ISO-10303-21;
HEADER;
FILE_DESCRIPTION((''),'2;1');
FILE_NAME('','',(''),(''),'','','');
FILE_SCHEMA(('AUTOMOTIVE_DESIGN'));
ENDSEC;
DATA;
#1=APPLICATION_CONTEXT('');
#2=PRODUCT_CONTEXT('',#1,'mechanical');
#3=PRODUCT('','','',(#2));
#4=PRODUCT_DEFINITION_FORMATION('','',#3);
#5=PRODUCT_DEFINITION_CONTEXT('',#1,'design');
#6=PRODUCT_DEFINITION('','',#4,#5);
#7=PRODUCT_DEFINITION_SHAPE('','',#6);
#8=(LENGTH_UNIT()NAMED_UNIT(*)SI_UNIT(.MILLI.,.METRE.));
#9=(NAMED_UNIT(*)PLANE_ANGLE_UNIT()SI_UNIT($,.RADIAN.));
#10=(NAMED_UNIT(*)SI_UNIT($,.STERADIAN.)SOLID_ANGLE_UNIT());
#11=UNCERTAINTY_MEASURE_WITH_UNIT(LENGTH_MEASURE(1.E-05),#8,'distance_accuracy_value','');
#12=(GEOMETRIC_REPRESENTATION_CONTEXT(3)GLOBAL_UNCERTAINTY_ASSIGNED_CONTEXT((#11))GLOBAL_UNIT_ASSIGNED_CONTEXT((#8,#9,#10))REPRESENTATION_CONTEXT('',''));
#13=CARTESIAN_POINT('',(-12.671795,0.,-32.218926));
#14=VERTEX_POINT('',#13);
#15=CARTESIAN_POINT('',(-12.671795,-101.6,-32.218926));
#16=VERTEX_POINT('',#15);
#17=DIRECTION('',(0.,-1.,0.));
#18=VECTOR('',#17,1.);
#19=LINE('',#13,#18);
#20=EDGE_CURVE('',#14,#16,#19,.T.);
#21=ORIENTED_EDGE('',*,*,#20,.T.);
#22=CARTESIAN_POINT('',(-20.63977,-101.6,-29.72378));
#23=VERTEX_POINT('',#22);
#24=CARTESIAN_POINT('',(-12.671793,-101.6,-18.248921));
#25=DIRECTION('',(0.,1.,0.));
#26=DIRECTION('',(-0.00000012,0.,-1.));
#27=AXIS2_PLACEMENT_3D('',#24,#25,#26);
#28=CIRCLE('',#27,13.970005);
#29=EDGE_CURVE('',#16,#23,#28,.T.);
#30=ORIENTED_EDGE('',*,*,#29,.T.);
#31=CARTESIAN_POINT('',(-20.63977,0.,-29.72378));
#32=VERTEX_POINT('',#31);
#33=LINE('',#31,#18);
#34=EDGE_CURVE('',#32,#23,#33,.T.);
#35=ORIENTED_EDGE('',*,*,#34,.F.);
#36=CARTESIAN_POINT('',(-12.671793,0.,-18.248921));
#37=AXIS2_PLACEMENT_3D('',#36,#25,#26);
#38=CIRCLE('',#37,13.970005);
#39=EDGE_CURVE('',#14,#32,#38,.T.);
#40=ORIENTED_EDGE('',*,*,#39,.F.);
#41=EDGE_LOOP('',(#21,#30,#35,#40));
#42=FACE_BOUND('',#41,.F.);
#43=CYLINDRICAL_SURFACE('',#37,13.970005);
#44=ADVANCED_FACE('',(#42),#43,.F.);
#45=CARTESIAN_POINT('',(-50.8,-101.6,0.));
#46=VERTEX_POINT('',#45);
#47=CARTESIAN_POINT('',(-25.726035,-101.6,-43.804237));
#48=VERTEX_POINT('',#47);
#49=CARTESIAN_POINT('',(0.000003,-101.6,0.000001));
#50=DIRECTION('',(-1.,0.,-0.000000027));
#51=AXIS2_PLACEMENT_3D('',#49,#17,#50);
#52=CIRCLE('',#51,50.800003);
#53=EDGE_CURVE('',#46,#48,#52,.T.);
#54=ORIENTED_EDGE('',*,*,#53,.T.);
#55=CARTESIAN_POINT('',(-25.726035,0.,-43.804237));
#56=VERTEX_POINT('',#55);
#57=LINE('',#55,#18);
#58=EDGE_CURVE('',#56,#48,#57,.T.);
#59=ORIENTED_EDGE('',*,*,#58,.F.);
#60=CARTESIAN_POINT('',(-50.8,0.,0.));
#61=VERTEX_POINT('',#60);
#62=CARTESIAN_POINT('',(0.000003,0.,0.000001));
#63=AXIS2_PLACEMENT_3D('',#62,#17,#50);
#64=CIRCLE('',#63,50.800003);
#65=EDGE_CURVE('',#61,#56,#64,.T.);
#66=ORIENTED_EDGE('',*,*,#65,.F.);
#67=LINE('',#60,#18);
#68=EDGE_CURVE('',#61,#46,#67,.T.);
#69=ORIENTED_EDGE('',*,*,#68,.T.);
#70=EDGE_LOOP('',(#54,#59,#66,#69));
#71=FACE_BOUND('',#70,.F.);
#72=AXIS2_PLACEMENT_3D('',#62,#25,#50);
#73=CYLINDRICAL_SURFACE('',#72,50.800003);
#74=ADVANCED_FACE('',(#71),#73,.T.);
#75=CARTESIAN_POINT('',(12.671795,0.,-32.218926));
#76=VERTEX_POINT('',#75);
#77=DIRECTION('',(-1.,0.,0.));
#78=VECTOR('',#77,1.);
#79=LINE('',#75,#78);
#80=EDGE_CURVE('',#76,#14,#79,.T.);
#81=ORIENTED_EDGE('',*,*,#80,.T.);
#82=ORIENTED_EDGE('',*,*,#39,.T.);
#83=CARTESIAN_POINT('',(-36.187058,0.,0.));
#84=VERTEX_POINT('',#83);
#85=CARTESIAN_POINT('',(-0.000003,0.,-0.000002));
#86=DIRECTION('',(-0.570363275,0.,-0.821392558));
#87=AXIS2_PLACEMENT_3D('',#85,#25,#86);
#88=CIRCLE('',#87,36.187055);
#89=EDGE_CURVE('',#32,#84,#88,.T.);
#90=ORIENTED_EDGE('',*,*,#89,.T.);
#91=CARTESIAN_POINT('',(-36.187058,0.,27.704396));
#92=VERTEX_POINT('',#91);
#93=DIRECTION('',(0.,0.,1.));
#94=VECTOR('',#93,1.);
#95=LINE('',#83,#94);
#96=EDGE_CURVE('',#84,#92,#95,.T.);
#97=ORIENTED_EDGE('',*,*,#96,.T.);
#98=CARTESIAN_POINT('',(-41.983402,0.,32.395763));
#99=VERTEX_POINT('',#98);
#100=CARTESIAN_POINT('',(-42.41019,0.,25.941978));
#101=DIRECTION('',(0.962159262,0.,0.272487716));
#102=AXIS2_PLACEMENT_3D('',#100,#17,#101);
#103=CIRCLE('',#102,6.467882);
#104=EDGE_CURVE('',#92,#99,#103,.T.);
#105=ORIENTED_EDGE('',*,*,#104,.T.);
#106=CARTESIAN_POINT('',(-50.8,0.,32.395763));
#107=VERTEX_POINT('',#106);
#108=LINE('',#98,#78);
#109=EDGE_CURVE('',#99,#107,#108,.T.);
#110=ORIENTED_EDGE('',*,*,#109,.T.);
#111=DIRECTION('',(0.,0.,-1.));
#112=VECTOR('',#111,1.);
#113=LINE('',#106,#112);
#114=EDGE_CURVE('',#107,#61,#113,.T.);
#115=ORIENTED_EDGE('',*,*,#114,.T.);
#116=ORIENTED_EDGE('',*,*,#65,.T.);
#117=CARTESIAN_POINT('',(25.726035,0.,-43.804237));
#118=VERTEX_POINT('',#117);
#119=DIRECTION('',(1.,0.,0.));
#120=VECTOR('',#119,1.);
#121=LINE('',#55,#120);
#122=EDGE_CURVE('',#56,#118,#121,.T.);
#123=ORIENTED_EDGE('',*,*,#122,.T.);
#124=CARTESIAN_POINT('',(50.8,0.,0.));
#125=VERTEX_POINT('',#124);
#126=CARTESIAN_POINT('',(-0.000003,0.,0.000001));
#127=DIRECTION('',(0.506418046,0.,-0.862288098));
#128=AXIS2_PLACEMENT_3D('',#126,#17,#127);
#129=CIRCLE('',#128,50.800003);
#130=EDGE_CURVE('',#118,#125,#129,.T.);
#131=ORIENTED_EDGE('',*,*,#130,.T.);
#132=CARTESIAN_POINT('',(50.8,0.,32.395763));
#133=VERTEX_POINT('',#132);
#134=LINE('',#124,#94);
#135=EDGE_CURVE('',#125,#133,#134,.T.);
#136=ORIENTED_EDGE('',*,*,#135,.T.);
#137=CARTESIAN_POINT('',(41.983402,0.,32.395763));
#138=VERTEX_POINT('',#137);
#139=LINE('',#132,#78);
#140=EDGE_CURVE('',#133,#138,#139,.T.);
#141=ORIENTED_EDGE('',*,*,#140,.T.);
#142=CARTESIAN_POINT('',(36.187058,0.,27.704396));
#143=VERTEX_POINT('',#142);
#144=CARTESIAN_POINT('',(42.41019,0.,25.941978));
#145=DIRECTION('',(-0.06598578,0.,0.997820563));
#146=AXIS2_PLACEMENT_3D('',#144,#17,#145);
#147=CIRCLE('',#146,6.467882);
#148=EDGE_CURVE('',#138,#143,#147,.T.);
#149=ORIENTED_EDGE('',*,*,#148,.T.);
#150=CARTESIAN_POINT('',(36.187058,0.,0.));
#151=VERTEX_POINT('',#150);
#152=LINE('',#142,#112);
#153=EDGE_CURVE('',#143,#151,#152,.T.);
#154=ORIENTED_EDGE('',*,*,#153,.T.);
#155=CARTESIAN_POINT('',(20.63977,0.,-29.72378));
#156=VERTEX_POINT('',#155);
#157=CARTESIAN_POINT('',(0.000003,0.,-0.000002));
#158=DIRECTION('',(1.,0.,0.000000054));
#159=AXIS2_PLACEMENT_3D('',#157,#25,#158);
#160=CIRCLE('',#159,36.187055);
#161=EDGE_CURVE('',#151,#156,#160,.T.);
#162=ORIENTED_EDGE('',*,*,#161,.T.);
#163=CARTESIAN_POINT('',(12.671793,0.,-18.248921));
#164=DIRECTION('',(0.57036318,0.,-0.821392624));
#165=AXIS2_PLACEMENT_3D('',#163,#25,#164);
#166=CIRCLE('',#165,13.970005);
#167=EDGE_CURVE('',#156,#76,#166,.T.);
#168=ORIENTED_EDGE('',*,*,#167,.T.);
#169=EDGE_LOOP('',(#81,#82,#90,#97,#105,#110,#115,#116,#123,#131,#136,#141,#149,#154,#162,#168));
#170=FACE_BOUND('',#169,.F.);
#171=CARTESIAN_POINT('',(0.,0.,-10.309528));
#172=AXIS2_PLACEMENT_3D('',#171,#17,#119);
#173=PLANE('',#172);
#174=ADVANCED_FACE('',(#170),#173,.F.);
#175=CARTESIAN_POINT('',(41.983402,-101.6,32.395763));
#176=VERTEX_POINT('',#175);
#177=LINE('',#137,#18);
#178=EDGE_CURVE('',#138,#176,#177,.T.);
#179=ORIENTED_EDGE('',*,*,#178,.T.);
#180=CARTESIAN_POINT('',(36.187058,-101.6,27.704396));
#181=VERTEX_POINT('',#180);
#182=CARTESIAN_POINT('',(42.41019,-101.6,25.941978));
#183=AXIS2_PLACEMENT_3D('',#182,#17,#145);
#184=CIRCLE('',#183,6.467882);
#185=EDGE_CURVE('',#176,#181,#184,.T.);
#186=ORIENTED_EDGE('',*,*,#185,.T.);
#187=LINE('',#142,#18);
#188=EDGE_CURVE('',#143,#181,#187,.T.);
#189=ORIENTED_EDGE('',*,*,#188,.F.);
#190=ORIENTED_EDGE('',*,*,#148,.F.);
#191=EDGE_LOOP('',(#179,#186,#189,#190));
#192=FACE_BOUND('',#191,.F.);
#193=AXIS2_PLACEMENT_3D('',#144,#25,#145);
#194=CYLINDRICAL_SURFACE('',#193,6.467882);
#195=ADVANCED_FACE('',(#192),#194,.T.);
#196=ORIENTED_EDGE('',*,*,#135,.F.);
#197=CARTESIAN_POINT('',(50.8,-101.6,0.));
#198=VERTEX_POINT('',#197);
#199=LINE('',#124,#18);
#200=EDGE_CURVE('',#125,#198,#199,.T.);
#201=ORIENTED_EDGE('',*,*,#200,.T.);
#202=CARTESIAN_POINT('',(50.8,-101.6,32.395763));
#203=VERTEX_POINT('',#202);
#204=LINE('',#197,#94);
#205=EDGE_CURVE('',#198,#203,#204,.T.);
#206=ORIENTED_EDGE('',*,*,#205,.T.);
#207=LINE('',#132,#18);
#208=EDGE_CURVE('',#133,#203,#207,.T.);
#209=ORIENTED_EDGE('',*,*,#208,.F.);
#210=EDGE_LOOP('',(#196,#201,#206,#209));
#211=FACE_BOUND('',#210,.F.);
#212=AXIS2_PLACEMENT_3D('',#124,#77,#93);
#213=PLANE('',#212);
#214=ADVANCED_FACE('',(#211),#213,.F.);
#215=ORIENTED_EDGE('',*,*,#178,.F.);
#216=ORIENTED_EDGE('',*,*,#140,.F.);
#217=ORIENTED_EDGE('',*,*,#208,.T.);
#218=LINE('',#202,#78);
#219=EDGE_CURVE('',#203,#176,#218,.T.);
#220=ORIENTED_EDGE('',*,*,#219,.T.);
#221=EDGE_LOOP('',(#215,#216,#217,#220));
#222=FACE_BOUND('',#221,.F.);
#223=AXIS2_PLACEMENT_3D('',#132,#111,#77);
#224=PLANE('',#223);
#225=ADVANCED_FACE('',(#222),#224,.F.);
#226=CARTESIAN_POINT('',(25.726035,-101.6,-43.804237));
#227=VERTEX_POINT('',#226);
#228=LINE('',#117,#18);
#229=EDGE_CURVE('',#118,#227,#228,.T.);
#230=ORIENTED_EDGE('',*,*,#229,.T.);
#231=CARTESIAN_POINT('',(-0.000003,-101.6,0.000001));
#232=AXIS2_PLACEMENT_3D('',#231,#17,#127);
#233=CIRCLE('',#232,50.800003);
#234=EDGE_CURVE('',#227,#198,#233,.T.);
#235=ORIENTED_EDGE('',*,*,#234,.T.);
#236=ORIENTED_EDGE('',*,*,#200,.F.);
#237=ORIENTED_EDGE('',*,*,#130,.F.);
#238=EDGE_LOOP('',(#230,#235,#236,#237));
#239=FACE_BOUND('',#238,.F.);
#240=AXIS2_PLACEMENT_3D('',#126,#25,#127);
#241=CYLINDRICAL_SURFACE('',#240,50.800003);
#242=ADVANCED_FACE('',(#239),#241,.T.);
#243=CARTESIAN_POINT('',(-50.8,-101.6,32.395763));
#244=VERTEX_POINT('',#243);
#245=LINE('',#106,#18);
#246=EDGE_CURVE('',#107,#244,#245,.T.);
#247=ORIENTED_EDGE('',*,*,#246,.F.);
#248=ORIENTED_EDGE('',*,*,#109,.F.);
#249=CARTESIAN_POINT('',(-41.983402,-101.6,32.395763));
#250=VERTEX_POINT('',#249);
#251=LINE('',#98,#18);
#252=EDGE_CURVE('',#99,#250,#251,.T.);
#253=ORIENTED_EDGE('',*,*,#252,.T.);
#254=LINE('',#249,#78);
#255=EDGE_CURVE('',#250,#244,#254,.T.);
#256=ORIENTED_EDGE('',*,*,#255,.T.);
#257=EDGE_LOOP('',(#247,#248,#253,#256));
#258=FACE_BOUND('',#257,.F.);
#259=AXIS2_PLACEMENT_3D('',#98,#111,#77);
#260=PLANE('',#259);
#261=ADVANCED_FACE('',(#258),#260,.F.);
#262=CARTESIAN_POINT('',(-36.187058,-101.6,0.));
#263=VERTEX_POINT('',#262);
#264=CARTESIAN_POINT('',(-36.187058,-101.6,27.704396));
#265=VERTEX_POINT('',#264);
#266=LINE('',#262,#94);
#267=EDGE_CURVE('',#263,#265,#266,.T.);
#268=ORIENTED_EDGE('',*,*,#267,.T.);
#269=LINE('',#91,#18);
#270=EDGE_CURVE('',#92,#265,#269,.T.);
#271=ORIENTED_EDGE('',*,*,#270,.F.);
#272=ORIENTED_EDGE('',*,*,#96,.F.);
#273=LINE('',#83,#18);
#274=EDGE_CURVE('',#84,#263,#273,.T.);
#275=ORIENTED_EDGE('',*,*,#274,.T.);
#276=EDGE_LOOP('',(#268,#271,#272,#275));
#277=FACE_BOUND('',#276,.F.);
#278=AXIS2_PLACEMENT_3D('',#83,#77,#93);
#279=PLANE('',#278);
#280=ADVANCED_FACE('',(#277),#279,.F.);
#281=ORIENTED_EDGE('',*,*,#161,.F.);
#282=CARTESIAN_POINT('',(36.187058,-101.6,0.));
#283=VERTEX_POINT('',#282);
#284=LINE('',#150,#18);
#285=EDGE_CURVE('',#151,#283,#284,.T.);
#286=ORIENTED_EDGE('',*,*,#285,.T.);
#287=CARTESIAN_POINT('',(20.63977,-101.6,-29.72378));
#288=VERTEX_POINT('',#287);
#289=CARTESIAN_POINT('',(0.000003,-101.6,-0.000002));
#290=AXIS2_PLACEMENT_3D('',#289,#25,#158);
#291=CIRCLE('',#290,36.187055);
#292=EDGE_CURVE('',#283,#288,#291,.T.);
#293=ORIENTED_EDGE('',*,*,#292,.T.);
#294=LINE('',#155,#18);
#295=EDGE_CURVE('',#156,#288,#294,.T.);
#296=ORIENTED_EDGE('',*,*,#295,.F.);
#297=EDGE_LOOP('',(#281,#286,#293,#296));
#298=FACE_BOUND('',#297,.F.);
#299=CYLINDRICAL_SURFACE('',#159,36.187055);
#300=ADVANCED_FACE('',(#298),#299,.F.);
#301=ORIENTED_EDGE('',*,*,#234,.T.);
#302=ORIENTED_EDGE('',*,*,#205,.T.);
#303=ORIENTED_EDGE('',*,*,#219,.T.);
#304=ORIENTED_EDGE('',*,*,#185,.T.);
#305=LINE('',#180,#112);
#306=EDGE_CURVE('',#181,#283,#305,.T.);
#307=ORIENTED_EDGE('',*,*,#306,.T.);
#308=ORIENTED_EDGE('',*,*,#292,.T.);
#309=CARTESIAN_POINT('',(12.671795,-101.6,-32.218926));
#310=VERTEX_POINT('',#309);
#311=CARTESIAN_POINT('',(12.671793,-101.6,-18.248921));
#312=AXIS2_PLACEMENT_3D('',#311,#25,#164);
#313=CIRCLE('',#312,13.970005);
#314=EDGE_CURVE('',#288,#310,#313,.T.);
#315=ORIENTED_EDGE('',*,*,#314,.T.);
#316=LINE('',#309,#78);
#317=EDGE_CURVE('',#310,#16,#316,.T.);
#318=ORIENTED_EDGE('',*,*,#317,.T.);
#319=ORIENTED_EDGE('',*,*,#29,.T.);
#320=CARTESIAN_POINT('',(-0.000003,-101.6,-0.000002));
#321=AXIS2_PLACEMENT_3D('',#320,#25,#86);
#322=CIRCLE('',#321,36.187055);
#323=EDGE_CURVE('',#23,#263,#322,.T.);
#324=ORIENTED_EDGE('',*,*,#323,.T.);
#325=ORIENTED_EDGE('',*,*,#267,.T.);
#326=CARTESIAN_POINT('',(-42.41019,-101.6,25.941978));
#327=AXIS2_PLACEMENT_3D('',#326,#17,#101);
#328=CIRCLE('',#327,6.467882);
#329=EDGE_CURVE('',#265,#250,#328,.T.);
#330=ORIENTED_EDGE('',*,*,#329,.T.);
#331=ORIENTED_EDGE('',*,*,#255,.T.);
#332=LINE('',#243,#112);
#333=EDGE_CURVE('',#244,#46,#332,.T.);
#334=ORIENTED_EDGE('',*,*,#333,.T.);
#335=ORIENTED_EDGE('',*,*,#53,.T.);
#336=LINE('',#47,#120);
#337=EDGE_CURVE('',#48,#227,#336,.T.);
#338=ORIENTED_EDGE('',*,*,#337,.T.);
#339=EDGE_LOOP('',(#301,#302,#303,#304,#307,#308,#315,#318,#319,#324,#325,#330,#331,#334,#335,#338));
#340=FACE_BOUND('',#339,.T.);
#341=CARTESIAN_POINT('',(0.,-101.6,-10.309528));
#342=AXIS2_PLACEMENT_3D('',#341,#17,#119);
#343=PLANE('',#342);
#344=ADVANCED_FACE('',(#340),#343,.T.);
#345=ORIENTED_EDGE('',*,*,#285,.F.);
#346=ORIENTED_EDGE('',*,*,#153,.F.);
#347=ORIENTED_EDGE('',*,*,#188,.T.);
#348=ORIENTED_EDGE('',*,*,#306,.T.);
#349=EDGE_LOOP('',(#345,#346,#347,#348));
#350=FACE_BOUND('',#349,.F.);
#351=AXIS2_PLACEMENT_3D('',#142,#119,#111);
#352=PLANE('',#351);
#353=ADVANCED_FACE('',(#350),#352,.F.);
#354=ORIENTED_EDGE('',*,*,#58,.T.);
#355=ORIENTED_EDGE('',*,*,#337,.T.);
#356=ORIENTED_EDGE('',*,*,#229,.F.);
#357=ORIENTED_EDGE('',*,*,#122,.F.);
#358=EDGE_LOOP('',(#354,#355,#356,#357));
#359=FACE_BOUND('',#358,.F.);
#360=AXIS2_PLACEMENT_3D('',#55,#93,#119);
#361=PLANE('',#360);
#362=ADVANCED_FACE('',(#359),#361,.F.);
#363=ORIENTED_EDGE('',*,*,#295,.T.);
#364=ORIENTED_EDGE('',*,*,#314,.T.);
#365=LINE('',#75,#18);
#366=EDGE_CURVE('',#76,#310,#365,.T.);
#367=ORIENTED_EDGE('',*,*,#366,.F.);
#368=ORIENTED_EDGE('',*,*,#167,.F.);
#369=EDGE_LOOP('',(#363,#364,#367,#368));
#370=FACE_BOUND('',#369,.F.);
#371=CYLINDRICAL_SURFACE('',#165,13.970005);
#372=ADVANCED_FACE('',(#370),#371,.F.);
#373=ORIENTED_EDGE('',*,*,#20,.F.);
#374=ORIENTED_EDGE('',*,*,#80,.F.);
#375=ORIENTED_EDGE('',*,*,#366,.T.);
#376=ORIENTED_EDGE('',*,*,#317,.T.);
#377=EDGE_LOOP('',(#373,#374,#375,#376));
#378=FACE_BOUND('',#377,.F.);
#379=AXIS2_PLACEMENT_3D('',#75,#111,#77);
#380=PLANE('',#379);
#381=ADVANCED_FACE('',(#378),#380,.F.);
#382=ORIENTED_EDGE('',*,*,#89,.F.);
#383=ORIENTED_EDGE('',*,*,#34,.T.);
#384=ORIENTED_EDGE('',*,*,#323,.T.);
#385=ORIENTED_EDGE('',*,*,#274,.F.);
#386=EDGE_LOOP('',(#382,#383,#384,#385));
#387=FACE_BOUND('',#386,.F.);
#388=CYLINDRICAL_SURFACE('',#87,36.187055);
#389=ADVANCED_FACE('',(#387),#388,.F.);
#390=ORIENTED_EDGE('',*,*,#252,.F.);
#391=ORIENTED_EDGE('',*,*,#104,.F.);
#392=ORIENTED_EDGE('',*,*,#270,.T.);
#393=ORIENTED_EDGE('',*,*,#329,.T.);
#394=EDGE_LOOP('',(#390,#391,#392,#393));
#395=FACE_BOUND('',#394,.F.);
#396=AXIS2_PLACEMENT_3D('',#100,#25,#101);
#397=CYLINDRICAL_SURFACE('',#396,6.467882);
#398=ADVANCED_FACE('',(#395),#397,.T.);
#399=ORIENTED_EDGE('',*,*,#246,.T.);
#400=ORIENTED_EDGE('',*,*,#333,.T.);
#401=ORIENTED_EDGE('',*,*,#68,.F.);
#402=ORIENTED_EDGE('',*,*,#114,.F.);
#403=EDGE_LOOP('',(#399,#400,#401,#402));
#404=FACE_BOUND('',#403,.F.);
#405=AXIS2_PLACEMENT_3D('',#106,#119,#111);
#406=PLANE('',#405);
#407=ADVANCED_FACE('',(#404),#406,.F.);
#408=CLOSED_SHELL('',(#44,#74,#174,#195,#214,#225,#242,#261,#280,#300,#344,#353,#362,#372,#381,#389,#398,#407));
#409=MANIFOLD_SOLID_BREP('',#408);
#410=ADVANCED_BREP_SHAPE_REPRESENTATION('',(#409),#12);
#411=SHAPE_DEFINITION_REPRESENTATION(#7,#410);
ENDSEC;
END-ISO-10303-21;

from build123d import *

# Parameters (mm, degrees)
F1_DEPTH = 101.6


with BuildPart() as f1:
    # F0 (on Front) → F1 (new body)
    with BuildSketch(Plane.XZ):
        with BuildLine():
            ThreePointArc((-20.63977, -29.72378), (-32.065525, -16.772159), (-36.187058, 0))
            Line((-36.187058, 0), (-36.187058, 27.704396))
            ThreePointArc((-36.187058, 27.704396), (-38.341088, 30.969492), (-41.983402, 32.395763))
            Line((-41.983402, 32.395763), (-50.8, 32.395763))
            Line((-50.8, 32.395763), (-50.8, 0))
            ThreePointArc((-50.8, 0), (-44.088108, -25.236456), (-25.726035, -43.804237))
            Line((-25.726035, -43.804237), (0, -43.804237))
            Line((0, -43.804237), (25.726035, -43.804237))
            ThreePointArc((25.726035, -43.804237), (44.088108, -25.236456), (50.8, 0))
            Line((50.8, 0), (50.8, 32.395763))
            Line((50.8, 32.395763), (41.983402, 32.395763))
            ThreePointArc((41.983402, 32.395763), (38.341088, 30.969492), (36.187058, 27.704396))
            Line((36.187058, 27.704396), (36.187058, 0))
            ThreePointArc((36.187058, 0), (32.065525, -16.772159), (20.63977, -29.72378))
            ThreePointArc((20.63977, -29.72378), (16.846551, -31.580554), (12.671795, -32.218926))
            Line((12.671795, -32.218926), (0, -32.218926))
            Line((0, -32.218926), (-12.671795, -32.218926))
            ThreePointArc((-12.671795, -32.218926), (-16.846551, -31.580554), (-20.63977, -29.72378))
        make_face()
    extrude(amount=F1_DEPTH)


solid = f1.part
